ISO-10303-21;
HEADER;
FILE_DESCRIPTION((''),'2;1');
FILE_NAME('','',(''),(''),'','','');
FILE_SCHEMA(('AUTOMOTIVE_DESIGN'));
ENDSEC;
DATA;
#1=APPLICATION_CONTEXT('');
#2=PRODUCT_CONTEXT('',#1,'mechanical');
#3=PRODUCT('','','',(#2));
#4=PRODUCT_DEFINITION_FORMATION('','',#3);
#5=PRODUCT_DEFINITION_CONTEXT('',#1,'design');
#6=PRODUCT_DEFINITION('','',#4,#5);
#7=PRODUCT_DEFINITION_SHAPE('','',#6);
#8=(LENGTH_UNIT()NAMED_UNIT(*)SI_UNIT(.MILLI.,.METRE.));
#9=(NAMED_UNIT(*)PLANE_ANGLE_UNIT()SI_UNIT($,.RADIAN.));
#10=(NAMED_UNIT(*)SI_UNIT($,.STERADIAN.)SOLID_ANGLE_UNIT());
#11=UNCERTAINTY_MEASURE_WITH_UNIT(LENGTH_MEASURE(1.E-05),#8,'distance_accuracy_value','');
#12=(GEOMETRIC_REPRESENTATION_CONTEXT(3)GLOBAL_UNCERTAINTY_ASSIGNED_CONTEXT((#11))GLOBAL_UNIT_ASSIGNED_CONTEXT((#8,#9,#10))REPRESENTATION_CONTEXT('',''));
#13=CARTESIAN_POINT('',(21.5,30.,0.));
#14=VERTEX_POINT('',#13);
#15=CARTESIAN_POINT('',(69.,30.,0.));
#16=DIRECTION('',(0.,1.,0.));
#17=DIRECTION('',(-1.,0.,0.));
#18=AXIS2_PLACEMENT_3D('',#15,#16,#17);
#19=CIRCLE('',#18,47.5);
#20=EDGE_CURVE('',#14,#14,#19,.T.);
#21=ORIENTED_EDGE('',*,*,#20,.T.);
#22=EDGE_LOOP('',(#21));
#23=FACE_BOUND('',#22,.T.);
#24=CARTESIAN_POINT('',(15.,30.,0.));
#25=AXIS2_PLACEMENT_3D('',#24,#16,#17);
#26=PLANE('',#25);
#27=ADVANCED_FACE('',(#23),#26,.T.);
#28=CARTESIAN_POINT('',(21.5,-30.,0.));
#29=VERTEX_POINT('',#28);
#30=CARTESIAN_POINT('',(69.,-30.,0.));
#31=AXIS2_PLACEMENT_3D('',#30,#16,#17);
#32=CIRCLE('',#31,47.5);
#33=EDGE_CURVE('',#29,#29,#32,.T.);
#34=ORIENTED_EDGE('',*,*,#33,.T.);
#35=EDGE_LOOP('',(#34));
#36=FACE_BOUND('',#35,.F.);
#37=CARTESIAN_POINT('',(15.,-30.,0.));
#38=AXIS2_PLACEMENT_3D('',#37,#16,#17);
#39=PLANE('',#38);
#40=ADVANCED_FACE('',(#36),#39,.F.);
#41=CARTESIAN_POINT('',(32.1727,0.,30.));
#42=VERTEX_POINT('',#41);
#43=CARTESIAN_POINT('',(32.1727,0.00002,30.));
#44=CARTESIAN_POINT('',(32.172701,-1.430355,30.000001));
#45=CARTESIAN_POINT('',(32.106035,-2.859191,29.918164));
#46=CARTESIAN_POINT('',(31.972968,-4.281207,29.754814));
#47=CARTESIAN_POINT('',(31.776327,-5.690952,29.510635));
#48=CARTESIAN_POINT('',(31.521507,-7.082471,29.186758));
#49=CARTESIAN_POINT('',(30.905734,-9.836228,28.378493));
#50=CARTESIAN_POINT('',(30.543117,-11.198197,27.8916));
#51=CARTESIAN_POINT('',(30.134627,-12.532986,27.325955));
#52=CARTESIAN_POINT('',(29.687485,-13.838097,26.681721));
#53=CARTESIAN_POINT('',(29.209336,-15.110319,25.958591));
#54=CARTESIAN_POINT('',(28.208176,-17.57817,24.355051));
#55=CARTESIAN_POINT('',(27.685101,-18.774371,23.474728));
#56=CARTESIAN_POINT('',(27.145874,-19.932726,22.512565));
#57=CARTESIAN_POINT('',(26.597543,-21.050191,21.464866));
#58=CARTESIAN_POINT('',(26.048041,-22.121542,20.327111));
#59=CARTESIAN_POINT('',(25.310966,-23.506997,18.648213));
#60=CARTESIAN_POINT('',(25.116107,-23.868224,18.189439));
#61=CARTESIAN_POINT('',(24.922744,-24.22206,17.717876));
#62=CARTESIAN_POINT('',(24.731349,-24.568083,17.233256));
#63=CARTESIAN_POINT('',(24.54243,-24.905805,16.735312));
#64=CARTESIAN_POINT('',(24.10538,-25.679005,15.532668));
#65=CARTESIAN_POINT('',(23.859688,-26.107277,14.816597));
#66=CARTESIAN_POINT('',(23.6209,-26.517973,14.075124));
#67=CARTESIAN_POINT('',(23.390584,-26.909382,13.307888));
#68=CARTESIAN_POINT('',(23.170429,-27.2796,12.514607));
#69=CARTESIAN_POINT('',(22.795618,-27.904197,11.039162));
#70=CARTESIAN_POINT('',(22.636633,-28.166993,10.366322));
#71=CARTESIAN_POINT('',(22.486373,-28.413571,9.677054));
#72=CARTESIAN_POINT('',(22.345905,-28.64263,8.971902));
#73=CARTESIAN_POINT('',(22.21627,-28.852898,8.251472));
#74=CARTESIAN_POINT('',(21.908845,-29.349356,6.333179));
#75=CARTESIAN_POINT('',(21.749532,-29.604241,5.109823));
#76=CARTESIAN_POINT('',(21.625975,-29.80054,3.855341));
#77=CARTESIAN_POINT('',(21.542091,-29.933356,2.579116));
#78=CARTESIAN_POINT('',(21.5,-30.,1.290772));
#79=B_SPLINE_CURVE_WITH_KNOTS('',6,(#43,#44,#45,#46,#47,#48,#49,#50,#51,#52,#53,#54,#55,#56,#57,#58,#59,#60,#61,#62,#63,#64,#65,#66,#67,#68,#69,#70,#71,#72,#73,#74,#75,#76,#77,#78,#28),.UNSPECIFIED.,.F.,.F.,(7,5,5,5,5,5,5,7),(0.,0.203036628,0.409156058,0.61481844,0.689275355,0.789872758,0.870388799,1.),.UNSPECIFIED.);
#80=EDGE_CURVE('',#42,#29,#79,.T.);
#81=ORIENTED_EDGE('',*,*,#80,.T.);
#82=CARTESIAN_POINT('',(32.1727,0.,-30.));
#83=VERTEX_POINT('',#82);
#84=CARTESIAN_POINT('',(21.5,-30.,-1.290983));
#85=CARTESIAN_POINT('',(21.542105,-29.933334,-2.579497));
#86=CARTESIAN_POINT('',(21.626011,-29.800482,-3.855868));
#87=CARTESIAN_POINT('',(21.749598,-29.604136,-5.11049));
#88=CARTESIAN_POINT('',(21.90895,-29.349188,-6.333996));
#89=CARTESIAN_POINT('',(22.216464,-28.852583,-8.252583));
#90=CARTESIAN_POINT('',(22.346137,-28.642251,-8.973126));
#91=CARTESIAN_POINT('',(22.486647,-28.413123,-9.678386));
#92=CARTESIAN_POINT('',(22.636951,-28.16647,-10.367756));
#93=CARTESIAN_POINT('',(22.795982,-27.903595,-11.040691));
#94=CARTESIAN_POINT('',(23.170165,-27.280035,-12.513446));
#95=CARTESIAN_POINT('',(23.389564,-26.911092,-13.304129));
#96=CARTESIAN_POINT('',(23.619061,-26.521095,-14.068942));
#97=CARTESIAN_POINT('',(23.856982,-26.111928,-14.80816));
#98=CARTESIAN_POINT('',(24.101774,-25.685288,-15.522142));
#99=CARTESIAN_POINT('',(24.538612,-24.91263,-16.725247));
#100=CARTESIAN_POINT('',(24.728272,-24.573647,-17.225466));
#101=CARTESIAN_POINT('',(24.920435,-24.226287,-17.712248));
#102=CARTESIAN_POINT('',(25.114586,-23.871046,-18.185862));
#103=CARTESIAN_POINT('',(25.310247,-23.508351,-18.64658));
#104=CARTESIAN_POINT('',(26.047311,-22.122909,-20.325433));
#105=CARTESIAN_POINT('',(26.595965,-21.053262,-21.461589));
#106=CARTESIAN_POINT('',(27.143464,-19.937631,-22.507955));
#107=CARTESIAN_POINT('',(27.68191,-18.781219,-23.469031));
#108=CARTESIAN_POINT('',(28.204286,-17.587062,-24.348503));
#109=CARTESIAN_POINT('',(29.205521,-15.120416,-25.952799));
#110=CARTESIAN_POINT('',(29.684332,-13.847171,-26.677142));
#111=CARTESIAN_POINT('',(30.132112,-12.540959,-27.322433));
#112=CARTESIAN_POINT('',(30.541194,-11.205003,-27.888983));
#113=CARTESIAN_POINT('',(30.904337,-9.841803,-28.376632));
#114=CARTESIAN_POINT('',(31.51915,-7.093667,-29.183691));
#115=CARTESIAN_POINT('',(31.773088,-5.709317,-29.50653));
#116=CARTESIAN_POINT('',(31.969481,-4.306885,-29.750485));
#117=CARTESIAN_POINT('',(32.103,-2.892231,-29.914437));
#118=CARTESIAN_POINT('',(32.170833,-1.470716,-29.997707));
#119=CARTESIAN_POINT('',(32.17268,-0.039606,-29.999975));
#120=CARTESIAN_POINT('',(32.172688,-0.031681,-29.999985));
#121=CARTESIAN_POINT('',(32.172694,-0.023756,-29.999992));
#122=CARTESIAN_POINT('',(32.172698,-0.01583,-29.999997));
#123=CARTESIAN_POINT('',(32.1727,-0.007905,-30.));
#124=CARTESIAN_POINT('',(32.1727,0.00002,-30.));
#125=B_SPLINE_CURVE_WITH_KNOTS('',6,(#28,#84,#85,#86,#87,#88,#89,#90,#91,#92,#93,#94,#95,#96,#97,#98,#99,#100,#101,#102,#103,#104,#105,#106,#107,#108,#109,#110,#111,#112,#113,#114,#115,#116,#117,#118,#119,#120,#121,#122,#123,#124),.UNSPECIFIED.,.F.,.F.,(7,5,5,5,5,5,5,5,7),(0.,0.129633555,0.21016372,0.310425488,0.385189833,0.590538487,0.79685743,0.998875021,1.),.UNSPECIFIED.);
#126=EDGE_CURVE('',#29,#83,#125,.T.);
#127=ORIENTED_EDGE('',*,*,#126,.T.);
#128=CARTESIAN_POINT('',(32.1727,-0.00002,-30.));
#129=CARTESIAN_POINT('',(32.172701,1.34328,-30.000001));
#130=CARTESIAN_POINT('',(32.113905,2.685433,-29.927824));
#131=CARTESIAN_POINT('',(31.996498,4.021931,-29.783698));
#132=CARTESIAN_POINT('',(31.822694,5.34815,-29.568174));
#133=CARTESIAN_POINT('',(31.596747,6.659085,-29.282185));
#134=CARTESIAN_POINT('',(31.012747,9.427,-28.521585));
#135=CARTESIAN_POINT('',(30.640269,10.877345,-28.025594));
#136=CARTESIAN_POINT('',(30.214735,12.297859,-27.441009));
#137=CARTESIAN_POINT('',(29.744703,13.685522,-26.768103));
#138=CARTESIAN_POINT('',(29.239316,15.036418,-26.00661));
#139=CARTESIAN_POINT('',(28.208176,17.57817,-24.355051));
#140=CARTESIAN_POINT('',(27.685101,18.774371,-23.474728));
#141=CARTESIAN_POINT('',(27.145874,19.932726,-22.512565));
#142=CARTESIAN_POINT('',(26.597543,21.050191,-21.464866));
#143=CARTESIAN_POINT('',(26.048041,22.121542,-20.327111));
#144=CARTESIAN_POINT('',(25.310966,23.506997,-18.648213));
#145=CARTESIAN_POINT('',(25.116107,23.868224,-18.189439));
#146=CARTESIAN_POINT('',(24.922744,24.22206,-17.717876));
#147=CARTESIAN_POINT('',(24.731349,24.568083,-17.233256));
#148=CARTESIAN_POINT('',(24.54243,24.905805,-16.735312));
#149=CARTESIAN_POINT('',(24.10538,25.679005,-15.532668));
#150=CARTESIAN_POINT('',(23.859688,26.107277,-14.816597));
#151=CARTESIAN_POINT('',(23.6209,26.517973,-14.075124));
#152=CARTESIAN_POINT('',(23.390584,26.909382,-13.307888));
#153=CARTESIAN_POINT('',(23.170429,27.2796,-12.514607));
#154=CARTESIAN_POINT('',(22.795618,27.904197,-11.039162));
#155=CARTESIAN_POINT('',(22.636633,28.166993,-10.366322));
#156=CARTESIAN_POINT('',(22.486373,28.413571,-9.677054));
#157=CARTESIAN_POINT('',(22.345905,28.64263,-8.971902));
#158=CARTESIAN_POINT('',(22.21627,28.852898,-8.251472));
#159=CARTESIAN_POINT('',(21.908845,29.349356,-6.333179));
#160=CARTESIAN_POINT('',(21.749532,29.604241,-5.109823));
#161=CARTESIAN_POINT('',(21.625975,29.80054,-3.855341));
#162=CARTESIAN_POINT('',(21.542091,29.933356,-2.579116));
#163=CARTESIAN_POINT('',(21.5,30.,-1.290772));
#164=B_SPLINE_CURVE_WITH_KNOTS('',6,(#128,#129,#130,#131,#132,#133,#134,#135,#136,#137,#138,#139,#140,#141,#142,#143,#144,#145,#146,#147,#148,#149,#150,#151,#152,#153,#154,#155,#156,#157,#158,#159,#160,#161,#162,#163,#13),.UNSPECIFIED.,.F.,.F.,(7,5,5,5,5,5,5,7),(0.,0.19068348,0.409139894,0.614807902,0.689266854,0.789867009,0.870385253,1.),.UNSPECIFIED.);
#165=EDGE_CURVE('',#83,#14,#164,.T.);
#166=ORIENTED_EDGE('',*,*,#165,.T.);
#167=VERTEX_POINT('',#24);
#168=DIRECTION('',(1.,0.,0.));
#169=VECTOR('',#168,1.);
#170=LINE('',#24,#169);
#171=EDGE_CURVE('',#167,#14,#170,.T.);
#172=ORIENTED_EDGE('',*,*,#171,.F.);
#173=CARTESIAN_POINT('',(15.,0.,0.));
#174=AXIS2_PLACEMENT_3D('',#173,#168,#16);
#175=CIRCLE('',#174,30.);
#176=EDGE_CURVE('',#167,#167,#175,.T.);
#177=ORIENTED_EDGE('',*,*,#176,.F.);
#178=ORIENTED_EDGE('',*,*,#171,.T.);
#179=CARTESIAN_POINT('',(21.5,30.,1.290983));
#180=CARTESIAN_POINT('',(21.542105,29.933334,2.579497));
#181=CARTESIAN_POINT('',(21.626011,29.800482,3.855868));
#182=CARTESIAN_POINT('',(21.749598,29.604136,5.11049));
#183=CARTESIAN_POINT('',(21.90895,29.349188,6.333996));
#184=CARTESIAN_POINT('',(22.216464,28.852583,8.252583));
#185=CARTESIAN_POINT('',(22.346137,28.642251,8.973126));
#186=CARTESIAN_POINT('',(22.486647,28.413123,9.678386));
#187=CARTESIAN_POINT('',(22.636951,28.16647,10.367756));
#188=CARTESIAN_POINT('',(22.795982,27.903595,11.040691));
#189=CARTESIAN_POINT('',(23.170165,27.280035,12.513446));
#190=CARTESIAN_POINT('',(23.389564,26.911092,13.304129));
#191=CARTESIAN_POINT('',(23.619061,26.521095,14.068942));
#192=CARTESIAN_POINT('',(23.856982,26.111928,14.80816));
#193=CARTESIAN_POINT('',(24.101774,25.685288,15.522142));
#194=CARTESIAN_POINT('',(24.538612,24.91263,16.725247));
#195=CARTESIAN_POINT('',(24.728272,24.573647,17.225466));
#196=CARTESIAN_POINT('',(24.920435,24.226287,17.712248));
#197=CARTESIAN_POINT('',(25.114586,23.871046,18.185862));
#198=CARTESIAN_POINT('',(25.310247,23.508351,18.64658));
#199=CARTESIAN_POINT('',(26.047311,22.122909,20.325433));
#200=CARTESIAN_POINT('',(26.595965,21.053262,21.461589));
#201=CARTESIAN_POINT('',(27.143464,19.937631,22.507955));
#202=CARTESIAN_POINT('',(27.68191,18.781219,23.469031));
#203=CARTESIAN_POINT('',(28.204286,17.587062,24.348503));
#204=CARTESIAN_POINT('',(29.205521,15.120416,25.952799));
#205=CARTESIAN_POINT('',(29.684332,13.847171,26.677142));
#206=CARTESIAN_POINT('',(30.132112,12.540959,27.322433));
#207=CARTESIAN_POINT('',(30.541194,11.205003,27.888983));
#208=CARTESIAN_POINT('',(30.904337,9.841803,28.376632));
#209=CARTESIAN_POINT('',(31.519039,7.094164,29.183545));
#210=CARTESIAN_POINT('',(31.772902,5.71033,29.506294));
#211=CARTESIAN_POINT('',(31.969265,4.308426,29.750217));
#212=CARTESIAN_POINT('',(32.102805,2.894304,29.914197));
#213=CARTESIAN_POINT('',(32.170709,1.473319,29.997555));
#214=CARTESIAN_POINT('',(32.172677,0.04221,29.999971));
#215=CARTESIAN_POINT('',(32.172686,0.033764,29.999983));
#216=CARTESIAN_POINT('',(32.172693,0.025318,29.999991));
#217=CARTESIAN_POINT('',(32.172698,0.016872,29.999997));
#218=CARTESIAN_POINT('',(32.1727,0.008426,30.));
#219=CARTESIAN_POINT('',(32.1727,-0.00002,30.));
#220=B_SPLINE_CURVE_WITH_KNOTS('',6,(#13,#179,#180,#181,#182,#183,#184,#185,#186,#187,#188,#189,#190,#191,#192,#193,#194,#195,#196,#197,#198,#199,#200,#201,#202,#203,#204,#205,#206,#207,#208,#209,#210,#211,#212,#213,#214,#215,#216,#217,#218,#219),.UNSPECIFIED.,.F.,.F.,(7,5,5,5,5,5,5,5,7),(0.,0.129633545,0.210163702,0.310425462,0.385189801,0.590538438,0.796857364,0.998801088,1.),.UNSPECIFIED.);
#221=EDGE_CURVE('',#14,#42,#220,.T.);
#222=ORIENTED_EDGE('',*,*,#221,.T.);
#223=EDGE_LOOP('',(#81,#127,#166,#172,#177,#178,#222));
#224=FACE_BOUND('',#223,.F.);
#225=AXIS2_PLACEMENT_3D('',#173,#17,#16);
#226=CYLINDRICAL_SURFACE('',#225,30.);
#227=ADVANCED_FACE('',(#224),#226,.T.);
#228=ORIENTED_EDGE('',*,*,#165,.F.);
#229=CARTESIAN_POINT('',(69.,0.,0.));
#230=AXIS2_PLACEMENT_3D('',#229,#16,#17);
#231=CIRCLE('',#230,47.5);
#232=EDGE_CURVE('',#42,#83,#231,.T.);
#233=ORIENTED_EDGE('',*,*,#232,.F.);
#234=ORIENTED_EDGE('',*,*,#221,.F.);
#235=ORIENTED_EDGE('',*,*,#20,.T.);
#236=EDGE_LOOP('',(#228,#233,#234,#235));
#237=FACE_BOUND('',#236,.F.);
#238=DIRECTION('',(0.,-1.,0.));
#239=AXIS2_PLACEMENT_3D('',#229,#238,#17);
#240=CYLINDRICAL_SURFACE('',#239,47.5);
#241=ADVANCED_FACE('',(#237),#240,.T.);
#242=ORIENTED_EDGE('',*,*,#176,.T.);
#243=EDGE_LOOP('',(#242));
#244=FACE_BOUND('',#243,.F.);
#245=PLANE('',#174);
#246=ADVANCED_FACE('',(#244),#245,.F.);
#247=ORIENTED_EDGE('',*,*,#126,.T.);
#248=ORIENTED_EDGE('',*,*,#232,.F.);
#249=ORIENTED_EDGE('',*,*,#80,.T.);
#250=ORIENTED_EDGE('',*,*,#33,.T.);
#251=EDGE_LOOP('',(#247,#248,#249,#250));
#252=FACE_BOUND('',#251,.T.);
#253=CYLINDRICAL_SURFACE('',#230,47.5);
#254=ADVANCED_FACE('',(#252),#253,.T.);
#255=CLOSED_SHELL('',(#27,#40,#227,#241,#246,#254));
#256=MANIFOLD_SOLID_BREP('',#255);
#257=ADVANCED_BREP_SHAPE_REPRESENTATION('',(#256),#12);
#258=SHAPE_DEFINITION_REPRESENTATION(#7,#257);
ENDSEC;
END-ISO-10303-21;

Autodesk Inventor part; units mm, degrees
ref_plane "YZ Plane" through (0, 0, 0) normal (1, 0, 0) x (0, 1, 0)
ref_plane "XZ Plane" through (0, 0, 0) normal (0, 1, 0) x (-1, 0, 0)
ref_plane "XY Plane" through (0, 0, 0) normal (0, 0, 1) x (1, 0, 0)
sketch "Sketch1" plane through (0, 0, 0) normal (1, 0, 0) x (0, 1, 0)
  circle A0 centre (0, 0) radius 30
  dimension "d0" = 60
extrude "Extrusion1" add sketch "Sketch1" along normal blind 54
sketch "Sketch2" plane through (0, 0, 0) normal (0, 1, 0) x (-1, 0, 0)
  line L0 (-54, 30) -> (-54, -30) projected
  circle A0 centre (-54, 0) radius 47.5
  point P0 (0, 0)
  dimension "d3" = 95
extrude "Extrusion2" add sketch "Sketch2" along normal mid plane 60
move or copy body "Move Body1" bodies to move or copy 1 copy no translate (15, 0, 0)
properties part number "hip"
